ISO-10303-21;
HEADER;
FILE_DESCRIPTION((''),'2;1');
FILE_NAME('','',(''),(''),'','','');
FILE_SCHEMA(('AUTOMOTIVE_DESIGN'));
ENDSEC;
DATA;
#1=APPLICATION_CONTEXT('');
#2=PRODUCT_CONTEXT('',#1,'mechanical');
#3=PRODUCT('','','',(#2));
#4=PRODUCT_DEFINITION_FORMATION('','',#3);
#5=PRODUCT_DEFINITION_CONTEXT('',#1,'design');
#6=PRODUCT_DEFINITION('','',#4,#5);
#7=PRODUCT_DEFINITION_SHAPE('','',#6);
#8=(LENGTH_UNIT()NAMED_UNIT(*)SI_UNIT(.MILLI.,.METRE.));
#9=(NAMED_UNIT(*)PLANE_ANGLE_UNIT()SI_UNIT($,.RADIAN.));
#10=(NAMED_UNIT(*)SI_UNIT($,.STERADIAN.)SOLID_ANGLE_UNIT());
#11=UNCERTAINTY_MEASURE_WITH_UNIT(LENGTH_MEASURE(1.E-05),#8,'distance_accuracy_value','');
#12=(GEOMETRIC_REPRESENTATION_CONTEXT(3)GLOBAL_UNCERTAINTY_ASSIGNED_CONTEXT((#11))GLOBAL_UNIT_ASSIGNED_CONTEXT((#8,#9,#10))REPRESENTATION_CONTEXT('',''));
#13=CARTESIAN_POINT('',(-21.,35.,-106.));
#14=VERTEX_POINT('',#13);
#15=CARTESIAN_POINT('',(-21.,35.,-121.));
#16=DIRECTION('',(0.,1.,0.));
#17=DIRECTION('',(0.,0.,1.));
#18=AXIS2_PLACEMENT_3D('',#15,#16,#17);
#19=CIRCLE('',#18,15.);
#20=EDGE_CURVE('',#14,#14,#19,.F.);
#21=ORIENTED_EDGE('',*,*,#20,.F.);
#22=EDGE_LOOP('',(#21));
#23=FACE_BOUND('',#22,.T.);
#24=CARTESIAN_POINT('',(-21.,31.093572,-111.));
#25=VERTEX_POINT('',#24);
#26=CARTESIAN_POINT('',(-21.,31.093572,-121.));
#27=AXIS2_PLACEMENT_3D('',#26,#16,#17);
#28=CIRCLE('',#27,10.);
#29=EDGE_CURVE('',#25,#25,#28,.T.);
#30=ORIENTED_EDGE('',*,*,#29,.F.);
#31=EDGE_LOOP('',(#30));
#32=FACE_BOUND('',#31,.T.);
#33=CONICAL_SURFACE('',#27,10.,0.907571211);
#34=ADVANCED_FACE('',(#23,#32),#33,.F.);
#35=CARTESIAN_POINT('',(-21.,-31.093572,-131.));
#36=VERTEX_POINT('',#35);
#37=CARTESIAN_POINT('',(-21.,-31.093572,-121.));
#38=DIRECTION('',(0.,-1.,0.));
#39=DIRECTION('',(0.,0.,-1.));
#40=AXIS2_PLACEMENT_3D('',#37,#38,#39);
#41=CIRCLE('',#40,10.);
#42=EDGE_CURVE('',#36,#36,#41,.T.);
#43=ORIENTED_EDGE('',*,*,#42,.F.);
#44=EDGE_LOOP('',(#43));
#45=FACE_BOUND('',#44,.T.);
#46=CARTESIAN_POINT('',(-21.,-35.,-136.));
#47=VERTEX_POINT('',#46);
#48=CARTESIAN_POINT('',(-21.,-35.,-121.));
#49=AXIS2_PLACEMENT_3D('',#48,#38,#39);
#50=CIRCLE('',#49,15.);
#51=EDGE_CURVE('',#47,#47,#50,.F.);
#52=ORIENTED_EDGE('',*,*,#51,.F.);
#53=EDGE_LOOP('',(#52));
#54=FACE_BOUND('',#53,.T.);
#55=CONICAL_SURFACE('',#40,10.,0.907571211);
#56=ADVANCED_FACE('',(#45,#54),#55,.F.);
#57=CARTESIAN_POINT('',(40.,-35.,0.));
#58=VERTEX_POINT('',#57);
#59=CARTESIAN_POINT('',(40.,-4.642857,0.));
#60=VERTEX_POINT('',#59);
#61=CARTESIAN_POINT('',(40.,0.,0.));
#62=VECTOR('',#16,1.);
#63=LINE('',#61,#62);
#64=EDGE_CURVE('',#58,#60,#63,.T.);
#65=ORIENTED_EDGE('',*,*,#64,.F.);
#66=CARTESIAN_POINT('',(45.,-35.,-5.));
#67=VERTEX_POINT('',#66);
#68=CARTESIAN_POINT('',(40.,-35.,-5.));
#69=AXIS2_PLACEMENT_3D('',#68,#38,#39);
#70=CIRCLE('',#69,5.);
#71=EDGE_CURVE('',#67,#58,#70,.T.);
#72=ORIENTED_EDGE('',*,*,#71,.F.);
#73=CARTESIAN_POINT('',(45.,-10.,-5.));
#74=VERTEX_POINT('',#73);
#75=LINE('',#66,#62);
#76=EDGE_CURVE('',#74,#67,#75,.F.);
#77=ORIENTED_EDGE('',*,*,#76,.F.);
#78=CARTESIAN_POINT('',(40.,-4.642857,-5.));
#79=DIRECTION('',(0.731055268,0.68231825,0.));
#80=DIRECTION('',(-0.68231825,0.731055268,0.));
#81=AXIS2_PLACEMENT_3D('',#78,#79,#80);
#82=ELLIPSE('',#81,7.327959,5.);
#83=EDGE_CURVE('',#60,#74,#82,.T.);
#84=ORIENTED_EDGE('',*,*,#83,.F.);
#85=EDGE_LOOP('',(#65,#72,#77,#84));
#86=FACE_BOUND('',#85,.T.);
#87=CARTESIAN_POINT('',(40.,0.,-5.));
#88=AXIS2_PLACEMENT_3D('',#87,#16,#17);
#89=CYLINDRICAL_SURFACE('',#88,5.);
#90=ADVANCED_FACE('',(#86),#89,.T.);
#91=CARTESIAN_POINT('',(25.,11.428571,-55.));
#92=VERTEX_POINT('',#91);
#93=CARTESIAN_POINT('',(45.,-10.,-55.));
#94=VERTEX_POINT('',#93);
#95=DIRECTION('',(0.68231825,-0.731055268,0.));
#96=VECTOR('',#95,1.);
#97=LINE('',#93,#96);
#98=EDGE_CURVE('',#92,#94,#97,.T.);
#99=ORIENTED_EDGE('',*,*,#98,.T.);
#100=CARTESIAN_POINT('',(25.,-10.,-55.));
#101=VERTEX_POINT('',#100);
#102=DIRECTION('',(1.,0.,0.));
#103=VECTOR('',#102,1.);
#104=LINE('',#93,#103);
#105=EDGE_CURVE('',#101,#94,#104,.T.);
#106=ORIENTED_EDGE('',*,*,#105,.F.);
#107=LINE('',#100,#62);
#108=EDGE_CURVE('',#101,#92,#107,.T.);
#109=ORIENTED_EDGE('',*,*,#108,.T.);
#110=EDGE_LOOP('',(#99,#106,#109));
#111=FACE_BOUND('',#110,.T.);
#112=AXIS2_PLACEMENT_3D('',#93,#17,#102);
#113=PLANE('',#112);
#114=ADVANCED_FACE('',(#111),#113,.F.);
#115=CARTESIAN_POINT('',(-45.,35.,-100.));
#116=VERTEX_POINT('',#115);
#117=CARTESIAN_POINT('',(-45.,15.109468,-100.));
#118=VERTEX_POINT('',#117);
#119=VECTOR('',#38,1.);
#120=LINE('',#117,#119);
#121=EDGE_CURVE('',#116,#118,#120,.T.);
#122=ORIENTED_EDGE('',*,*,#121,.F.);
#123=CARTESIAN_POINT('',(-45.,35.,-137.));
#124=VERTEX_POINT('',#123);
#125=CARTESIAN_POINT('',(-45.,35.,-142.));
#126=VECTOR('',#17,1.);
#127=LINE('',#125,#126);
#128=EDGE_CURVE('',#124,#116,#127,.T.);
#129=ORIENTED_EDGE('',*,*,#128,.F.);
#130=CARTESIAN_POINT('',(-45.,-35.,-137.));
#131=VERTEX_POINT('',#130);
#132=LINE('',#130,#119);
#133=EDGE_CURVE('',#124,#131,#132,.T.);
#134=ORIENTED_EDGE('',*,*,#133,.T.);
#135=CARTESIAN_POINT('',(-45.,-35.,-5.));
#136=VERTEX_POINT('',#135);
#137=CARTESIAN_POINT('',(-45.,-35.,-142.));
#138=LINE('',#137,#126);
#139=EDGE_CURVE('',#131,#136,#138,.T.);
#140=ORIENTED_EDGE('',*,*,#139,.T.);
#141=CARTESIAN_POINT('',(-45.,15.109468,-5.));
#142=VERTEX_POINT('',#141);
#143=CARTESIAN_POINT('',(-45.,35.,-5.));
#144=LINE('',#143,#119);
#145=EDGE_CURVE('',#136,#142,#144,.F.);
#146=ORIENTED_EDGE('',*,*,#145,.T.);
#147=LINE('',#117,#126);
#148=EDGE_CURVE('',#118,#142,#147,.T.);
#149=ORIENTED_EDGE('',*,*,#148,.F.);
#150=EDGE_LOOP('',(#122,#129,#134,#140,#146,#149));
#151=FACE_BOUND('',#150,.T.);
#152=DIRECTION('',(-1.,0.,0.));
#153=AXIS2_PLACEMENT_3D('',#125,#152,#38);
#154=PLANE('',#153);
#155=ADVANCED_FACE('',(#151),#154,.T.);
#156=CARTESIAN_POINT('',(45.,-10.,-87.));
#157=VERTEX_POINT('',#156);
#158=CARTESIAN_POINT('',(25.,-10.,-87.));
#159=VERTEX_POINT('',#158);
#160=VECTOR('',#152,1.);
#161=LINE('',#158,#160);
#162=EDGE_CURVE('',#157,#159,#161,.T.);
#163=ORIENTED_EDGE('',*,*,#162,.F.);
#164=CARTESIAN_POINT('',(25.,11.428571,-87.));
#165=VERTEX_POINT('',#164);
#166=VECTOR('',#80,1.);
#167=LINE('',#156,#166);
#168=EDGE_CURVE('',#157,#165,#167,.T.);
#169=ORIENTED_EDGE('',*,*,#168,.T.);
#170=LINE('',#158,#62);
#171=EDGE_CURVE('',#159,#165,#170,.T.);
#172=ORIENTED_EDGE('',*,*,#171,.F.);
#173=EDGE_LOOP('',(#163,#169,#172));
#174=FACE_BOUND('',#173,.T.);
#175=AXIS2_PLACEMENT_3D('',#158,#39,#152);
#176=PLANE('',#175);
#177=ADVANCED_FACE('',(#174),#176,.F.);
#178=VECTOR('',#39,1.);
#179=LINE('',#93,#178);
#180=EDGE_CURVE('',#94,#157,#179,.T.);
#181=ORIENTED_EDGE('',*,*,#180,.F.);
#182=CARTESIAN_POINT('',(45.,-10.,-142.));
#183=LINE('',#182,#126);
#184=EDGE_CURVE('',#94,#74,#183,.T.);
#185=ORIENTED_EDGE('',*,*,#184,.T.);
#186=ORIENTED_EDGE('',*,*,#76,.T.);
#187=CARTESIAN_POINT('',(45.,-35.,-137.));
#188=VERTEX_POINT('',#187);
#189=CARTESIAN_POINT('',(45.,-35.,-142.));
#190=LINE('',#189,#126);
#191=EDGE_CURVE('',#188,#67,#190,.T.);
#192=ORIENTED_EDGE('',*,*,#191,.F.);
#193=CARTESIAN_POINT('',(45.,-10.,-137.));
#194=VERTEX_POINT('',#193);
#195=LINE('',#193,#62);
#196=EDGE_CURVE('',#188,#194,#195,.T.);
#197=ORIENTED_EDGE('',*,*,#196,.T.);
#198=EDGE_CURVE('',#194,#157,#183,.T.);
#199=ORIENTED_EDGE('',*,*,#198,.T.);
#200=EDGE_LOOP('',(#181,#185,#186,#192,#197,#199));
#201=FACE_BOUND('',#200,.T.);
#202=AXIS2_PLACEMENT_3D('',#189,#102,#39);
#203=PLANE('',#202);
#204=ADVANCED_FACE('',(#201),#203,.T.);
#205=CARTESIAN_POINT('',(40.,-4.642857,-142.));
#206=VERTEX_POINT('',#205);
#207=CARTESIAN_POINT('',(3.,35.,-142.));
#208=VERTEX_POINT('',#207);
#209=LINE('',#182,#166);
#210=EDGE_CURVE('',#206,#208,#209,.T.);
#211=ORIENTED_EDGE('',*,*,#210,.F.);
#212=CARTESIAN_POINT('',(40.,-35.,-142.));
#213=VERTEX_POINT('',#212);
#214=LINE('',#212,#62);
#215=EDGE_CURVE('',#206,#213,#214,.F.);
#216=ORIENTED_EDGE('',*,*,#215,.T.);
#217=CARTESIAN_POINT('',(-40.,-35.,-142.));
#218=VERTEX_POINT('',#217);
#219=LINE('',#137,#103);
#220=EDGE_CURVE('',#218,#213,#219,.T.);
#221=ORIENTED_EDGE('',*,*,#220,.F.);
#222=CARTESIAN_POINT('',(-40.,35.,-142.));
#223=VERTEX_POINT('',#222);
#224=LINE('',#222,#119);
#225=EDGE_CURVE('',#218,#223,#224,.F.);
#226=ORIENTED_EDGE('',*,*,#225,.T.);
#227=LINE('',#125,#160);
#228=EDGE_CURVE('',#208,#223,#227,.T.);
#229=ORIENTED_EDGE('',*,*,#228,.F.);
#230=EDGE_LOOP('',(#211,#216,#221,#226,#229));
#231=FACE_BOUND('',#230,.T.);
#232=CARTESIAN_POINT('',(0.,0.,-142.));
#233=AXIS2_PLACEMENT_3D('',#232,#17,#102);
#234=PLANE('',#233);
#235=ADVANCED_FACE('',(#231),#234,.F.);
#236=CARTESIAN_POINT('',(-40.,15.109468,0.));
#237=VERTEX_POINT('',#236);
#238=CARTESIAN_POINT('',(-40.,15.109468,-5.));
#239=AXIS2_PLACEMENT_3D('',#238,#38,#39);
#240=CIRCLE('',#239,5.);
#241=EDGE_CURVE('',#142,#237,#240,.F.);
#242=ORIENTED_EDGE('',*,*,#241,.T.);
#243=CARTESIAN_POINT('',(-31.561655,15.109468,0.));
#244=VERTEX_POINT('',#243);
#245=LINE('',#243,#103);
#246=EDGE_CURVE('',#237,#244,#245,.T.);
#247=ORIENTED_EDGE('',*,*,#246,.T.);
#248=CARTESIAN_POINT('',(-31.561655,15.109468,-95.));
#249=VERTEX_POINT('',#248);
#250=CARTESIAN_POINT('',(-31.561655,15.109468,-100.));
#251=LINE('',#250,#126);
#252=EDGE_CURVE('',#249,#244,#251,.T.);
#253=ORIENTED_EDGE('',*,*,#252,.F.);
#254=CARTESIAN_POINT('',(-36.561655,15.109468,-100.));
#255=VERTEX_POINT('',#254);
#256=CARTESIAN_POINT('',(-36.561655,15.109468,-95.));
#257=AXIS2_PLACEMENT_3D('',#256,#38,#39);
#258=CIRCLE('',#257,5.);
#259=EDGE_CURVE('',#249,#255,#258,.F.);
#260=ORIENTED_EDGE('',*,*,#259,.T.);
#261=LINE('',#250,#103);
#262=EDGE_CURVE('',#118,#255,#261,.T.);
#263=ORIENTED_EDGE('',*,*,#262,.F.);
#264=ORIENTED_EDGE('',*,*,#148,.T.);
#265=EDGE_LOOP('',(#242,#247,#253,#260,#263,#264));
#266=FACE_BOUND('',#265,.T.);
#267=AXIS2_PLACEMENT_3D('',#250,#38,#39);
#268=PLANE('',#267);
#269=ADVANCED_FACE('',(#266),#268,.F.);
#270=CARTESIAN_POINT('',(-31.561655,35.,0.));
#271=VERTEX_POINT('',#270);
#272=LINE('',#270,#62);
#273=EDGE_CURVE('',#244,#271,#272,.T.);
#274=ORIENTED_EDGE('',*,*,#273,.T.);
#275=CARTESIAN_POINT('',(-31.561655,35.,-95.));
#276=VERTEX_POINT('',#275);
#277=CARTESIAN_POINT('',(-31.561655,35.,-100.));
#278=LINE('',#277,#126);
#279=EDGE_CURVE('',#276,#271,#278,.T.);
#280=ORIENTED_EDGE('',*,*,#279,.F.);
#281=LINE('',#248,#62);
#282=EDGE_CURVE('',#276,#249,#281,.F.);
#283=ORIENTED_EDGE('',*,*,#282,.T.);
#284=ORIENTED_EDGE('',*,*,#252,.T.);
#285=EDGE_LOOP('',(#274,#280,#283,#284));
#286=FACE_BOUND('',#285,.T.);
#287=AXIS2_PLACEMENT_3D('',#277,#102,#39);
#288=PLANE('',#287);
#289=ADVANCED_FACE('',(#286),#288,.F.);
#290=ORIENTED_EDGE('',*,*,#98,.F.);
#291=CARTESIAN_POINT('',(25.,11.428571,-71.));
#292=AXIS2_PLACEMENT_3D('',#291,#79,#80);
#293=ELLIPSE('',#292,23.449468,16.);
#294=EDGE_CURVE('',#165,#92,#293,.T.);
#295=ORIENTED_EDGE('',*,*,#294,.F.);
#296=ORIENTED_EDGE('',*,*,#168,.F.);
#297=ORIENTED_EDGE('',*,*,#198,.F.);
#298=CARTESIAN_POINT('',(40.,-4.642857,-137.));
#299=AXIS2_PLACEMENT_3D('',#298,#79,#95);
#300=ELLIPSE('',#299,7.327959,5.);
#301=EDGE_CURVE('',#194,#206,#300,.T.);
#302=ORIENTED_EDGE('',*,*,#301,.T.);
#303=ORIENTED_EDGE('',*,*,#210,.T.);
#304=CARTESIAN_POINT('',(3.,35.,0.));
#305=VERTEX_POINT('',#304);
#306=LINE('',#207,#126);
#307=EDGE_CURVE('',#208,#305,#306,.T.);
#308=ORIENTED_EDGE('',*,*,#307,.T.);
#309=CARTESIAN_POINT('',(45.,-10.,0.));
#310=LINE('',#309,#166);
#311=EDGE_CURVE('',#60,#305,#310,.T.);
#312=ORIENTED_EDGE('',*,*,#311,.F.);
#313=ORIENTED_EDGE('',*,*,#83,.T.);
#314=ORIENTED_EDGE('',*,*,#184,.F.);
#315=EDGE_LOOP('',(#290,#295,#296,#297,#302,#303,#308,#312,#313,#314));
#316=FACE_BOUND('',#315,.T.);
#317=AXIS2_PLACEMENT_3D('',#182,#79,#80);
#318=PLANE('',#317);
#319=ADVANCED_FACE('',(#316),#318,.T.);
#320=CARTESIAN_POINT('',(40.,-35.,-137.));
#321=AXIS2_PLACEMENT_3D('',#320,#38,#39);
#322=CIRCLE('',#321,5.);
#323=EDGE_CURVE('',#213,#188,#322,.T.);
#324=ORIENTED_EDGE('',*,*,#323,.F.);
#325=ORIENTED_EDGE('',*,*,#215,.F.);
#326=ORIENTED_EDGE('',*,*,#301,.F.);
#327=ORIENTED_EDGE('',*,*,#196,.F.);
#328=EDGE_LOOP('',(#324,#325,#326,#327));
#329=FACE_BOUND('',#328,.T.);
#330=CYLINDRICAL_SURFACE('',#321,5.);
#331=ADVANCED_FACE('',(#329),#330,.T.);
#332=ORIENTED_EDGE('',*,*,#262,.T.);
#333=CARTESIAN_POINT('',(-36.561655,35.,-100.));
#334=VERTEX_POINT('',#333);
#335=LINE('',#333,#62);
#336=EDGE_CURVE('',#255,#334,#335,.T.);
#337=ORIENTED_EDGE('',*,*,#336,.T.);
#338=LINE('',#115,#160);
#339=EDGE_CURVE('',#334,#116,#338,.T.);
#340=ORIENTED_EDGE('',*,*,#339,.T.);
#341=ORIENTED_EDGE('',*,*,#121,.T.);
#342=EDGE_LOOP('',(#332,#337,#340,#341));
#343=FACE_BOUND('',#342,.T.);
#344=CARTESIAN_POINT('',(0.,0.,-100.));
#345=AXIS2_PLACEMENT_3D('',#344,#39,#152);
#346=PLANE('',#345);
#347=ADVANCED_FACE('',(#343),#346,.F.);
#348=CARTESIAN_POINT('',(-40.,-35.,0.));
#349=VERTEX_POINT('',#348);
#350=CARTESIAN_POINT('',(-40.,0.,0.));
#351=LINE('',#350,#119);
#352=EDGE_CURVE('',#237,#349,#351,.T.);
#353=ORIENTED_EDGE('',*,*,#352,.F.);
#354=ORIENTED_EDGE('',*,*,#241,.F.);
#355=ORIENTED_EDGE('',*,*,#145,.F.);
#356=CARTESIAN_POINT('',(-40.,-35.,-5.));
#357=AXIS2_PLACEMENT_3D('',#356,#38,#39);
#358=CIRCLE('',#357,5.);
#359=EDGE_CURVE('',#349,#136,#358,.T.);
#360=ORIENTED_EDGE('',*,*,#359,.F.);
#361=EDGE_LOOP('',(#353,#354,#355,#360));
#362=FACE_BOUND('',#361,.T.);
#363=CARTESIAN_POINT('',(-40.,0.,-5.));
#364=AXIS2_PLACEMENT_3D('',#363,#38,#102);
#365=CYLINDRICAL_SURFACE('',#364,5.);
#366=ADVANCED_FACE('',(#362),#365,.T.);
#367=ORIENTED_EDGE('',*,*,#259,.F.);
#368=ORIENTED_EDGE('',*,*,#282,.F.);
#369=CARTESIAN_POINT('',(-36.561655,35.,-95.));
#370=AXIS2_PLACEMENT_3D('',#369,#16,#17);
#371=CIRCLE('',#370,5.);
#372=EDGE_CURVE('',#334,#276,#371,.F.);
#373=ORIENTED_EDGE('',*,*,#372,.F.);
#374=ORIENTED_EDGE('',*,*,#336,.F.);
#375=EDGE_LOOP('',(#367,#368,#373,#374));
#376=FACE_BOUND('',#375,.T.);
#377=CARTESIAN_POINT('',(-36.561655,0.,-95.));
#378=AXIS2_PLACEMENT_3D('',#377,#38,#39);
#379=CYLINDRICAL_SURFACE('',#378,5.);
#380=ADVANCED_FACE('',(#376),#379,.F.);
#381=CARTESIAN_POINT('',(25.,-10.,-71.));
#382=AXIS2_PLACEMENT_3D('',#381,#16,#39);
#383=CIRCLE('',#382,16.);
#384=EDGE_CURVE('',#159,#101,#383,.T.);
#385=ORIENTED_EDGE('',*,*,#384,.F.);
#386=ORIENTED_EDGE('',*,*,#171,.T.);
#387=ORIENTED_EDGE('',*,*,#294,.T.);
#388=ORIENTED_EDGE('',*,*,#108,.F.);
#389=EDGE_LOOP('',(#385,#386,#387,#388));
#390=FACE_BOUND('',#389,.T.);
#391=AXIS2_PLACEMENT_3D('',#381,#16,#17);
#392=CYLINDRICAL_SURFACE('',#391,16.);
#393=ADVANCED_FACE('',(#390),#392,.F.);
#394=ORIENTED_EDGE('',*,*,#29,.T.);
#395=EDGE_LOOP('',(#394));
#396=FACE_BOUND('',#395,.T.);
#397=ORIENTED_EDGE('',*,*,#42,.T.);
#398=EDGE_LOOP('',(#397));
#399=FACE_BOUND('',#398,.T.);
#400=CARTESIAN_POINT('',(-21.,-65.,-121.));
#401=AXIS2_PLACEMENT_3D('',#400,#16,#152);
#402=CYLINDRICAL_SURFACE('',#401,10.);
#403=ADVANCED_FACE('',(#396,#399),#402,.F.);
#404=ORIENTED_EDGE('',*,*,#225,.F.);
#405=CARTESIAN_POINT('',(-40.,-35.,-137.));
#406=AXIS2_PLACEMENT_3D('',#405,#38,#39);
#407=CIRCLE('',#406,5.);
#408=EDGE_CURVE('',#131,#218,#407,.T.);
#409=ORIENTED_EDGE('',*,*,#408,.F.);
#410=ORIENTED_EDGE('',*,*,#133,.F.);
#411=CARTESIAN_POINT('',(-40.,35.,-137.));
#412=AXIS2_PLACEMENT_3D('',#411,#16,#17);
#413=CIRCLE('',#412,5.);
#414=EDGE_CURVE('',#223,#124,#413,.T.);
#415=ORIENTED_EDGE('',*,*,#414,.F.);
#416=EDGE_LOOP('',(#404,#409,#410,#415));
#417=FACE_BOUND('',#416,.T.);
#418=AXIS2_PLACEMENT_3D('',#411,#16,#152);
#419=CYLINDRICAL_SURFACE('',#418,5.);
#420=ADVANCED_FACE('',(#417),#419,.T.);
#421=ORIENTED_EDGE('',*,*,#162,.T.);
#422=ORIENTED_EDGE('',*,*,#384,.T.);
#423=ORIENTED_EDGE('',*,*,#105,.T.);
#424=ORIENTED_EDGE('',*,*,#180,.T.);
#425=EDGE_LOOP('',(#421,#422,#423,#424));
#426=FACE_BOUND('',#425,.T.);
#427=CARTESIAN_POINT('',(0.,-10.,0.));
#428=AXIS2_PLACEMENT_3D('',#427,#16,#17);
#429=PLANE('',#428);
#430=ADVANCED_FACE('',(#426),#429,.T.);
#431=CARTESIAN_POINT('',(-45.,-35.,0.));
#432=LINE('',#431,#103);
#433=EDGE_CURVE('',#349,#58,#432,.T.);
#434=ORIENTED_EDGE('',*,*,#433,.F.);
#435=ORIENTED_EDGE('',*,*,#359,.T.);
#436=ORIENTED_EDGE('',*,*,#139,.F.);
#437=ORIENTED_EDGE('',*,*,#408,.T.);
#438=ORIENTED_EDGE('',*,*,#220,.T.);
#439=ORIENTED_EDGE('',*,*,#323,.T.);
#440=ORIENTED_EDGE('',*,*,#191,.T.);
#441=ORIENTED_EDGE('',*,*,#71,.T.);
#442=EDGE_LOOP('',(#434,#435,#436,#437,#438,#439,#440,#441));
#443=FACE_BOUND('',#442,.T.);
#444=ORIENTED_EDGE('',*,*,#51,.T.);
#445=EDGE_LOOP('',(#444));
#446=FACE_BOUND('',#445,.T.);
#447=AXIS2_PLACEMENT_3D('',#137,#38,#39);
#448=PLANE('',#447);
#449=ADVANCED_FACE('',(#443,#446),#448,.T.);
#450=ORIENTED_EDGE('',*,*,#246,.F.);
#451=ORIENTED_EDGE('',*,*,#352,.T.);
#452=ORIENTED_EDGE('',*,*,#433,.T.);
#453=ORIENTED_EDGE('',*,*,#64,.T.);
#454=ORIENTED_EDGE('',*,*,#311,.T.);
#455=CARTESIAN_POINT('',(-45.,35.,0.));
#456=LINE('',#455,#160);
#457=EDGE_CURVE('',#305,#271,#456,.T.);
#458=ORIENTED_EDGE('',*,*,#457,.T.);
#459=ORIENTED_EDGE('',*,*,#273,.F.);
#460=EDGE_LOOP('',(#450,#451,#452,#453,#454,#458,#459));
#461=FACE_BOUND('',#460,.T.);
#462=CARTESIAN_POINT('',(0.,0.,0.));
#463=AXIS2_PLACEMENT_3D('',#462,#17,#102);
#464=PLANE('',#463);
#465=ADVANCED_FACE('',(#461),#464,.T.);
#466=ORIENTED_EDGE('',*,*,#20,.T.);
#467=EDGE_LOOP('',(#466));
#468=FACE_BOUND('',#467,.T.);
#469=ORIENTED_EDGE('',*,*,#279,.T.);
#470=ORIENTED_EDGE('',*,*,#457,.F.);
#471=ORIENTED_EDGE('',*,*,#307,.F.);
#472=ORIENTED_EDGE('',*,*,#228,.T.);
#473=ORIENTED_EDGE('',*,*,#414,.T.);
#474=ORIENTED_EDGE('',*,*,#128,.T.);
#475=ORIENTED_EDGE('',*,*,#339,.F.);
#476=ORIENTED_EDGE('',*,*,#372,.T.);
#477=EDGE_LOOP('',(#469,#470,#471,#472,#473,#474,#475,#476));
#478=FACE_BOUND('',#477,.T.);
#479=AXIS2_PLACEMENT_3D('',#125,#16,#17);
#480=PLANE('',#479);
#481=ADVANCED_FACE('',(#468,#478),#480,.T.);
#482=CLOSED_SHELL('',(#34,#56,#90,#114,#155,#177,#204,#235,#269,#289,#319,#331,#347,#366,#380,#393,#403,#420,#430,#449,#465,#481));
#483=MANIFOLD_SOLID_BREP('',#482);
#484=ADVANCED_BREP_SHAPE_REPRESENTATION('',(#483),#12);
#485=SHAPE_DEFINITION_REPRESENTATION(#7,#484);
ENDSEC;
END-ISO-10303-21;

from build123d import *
from OCP.BRepFilletAPI import BRepFilletAPI_MakeChamfer

# Parameters (mm, degrees)
BOSS_EXTRUDE1_DEPTH = 142
SKETCH2_W           = 13.438345352
SKETCH2_H           = 19.890532225
CUT_EXTRUDE1_DEPTH  = 100
SKETCH4_R           = 10
CUT_EXTRUDE2_DEPTH  = 100
CUT_EXTRUDE3_DEPTH  = 100
CHAMFER1_SIZE       = 5
CHAMFER1_SIZE2      = 3.906428133
FILLET5_R           = 5
FILLET6_R           = 5
FILLET7_R           = 5


with BuildPart() as part:
    # Sketch1 → Boss-Extrude1 (new body)
    with BuildSketch(Plane.XY):
        Polygon((-45, -35), (45, -35), (45, -10), (3, 35), (-45, 35), align=None)
    extrude(amount=-BOSS_EXTRUDE1_DEPTH)

    # Sketch2 → Cut-Extrude1 (cut)
    with BuildSketch(Plane.XY):
        with Locations((-38.280827324, 25.054733887)):
            Rectangle(SKETCH2_W, SKETCH2_H)
    extrude(amount=-CUT_EXTRUDE1_DEPTH, mode=Mode.SUBTRACT)

    # Sketch4 → Cut-Extrude2 (cut)
    with BuildSketch(Plane(origin=(0, 35, 0), x_dir=(1, 0, 0), z_dir=(0, 1, 0))):
        with Locations(Location((-21, 121, 0), (0, 0, 180))):
            Circle(SKETCH4_R)
    extrude(amount=-CUT_EXTRUDE2_DEPTH, mode=Mode.SUBTRACT)

    # 3DSketch2 → Cut-Extrude3 (cut)
    with BuildSketch(Plane(origin=(45, -10, -55), x_dir=(-0.5299989400031795, 0, -0.8479983040050884), z_dir=(0, 1, 0))):
        with BuildLine():
            Line((0, 0), (10.5999788, 16.95996608))
            ThreePointArc((10.5999788, 16.95996608), (32.647934704, 22.047955904), (37.735924528, 0))
            Line((37.735924528, 0), (27.135945728, -16.95996608))
            Line((27.135945728, -16.95996608), (0, 0))
        make_face()
    extrude(amount=CUT_EXTRUDE3_DEPTH, mode=Mode.SUBTRACT)

    # Chamfer1: one chamfer whose edges measure the first distance from different faces: ONE call of the kernel's chamfer builder (chamfer() names one face for all edges)
    chamfer1_edges_1 = [part.edges().sort_by_distance(p)[0] for p in [
        (-11, -35, -121),
    ]]
    chamfer1_side_1 = [part.faces().sort_by_distance(p)[0] for p in [
        (0.529233825, -35, -69.739919465),
    ]]
    chamfer1_edges_2 = [part.edges().sort_by_distance(p)[0] for p in [
        (-11, 35, -121),
    ]]
    chamfer1_side_2 = [part.faces().sort_by_distance(p)[0] for p in [
        (-16.497761799, 35, -73.425852449),
    ]]
    chamfer1 = BRepFilletAPI_MakeChamfer(part.part.solid().wrapped)
    for e in chamfer1_edges_1:
        chamfer1.Add(CHAMFER1_SIZE, CHAMFER1_SIZE2, e.wrapped, chamfer1_side_1[0].wrapped)  # the first distance lies on this face
    for e in chamfer1_edges_2:
        chamfer1.Add(CHAMFER1_SIZE, CHAMFER1_SIZE2, e.wrapped, chamfer1_side_2[0].wrapped)  # the first distance lies on this face
    add(Compound.cast(chamfer1.Shape()), mode=Mode.REPLACE)

    # Fillet5
    fillet5_edges = [part.edges().sort_by_distance(p)[0] for p in [
        (-31.561654648, 25.054733887, -100),
    ]]
    fillet(fillet5_edges, radius=FILLET5_R)

    # Fillet6
    fillet6_edges = [part.edges().sort_by_distance(p)[0] for p in [
        (-45, -9.945266113, 0),
        (45, -22.5, 0),
    ]]
    fillet(fillet6_edges, radius=FILLET6_R)

    # Fillet7
    fillet7_edges = [part.edges().sort_by_distance(p)[0] for p in [
        (-45, 0, -142),
        (45, -22.5, -142),
    ]]
    fillet(fillet7_edges, radius=FILLET7_R)


solid = part.part
